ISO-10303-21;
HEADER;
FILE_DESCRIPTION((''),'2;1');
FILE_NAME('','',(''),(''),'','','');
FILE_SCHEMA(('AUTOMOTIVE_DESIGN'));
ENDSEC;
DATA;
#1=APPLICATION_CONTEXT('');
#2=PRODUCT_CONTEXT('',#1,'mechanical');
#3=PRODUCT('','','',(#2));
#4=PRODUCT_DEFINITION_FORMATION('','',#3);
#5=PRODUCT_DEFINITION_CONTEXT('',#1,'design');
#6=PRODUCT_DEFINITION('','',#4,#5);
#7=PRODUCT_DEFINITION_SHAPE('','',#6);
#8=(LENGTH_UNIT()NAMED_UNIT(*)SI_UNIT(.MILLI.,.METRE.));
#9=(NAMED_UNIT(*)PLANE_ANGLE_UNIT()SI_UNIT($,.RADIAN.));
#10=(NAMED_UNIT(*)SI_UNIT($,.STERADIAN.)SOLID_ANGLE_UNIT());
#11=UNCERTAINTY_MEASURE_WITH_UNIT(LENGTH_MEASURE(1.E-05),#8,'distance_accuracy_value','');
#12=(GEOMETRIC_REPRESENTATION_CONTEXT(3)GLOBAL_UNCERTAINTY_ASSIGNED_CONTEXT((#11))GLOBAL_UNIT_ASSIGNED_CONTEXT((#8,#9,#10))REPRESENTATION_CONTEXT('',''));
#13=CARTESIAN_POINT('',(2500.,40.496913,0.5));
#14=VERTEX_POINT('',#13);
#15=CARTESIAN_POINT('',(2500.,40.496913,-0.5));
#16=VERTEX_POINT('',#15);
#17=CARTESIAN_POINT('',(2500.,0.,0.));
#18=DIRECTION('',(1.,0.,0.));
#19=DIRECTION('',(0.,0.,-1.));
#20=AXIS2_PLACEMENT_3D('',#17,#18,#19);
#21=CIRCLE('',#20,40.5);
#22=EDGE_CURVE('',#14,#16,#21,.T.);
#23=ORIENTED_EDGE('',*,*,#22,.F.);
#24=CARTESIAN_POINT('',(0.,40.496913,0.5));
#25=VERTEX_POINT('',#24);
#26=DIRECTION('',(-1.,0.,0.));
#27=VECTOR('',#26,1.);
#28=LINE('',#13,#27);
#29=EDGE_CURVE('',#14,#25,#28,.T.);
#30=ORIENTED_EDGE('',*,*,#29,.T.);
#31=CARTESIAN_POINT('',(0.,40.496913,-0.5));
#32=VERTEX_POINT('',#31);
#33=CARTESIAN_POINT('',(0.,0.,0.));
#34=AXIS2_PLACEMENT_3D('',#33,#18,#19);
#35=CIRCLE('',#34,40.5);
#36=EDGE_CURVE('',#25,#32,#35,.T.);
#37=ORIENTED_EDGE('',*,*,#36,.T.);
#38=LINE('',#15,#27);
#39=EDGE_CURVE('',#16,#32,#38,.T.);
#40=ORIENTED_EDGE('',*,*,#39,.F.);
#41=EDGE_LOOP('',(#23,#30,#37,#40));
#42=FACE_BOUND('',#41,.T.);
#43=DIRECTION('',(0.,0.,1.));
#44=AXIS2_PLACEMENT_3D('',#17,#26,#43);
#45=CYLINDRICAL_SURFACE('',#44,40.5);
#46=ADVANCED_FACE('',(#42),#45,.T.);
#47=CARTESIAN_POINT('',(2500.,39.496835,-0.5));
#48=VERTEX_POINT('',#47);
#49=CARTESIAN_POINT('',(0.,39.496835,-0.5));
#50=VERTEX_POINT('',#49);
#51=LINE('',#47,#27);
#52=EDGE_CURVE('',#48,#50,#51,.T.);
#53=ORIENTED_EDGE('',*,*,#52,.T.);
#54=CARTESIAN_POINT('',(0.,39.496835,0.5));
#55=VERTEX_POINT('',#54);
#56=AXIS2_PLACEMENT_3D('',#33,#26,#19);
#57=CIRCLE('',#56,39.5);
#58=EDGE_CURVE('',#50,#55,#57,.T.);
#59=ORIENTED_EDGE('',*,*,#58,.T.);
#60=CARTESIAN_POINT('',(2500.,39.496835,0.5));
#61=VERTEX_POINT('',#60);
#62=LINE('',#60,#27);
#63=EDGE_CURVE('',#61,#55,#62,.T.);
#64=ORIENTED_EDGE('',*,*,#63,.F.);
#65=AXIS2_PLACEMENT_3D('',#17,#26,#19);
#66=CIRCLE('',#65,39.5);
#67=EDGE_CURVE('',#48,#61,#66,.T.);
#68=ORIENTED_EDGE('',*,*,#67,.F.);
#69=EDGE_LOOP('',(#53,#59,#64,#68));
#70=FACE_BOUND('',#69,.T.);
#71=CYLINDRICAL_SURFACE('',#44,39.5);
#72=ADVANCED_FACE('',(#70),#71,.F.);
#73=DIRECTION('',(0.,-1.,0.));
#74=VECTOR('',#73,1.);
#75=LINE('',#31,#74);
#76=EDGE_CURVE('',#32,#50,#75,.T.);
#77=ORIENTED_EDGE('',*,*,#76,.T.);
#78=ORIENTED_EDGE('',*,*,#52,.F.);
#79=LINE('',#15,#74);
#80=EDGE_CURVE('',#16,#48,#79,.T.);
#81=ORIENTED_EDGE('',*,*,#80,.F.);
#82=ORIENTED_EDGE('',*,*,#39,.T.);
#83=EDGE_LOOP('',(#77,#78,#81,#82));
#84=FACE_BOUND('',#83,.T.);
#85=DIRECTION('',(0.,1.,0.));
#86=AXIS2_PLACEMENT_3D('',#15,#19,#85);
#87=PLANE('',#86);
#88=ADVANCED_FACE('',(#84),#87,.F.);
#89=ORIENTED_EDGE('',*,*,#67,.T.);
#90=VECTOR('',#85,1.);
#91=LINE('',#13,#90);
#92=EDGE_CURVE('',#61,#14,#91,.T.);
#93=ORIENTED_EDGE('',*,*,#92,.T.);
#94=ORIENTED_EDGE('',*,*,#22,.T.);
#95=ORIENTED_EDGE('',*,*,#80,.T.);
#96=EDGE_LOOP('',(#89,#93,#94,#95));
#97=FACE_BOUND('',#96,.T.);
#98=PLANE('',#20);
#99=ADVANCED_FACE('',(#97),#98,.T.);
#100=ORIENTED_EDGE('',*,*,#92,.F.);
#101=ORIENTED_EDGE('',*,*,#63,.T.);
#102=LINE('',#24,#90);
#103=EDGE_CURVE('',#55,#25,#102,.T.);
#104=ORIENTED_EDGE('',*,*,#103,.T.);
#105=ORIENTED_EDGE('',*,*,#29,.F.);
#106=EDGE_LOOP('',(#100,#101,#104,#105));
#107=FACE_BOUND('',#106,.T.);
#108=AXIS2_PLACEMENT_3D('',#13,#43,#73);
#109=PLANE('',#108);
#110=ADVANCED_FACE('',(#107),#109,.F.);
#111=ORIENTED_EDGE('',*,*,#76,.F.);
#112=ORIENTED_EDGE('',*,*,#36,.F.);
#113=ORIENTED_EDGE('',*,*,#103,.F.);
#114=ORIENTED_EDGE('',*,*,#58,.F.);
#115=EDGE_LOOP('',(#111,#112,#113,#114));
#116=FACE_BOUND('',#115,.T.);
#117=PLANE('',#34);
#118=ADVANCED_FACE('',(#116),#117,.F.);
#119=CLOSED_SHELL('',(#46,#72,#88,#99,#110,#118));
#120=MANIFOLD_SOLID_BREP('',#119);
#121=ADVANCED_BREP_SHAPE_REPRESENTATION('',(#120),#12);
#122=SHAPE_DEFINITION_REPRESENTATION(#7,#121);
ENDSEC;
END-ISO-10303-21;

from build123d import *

# Parameters (mm, degrees)
BOSS_EXTRUDE1_DEPTH = 2500


with BuildPart() as part:
    # Sketch1 → Boss-Extrude1 (new body)
    with BuildSketch(Plane(origin=(0, 0, 0), x_dir=(0, 0, -1), z_dir=(1, 0, 0))):
        with BuildLine():
            Line((-0.5, 40.496913463), (-0.5, 39.496835316))
            ThreePointArc((-0.5, 39.496835316), (0, -39.5), (0.5, 39.496835316))
            Line((0.5, 39.496835316), (0.5, 40.496913463))
            ThreePointArc((0.5, 40.496913463), (0, -40.5), (-0.5, 40.496913463))
        make_face()
    extrude(amount=BOSS_EXTRUDE1_DEPTH)


solid = part.part
